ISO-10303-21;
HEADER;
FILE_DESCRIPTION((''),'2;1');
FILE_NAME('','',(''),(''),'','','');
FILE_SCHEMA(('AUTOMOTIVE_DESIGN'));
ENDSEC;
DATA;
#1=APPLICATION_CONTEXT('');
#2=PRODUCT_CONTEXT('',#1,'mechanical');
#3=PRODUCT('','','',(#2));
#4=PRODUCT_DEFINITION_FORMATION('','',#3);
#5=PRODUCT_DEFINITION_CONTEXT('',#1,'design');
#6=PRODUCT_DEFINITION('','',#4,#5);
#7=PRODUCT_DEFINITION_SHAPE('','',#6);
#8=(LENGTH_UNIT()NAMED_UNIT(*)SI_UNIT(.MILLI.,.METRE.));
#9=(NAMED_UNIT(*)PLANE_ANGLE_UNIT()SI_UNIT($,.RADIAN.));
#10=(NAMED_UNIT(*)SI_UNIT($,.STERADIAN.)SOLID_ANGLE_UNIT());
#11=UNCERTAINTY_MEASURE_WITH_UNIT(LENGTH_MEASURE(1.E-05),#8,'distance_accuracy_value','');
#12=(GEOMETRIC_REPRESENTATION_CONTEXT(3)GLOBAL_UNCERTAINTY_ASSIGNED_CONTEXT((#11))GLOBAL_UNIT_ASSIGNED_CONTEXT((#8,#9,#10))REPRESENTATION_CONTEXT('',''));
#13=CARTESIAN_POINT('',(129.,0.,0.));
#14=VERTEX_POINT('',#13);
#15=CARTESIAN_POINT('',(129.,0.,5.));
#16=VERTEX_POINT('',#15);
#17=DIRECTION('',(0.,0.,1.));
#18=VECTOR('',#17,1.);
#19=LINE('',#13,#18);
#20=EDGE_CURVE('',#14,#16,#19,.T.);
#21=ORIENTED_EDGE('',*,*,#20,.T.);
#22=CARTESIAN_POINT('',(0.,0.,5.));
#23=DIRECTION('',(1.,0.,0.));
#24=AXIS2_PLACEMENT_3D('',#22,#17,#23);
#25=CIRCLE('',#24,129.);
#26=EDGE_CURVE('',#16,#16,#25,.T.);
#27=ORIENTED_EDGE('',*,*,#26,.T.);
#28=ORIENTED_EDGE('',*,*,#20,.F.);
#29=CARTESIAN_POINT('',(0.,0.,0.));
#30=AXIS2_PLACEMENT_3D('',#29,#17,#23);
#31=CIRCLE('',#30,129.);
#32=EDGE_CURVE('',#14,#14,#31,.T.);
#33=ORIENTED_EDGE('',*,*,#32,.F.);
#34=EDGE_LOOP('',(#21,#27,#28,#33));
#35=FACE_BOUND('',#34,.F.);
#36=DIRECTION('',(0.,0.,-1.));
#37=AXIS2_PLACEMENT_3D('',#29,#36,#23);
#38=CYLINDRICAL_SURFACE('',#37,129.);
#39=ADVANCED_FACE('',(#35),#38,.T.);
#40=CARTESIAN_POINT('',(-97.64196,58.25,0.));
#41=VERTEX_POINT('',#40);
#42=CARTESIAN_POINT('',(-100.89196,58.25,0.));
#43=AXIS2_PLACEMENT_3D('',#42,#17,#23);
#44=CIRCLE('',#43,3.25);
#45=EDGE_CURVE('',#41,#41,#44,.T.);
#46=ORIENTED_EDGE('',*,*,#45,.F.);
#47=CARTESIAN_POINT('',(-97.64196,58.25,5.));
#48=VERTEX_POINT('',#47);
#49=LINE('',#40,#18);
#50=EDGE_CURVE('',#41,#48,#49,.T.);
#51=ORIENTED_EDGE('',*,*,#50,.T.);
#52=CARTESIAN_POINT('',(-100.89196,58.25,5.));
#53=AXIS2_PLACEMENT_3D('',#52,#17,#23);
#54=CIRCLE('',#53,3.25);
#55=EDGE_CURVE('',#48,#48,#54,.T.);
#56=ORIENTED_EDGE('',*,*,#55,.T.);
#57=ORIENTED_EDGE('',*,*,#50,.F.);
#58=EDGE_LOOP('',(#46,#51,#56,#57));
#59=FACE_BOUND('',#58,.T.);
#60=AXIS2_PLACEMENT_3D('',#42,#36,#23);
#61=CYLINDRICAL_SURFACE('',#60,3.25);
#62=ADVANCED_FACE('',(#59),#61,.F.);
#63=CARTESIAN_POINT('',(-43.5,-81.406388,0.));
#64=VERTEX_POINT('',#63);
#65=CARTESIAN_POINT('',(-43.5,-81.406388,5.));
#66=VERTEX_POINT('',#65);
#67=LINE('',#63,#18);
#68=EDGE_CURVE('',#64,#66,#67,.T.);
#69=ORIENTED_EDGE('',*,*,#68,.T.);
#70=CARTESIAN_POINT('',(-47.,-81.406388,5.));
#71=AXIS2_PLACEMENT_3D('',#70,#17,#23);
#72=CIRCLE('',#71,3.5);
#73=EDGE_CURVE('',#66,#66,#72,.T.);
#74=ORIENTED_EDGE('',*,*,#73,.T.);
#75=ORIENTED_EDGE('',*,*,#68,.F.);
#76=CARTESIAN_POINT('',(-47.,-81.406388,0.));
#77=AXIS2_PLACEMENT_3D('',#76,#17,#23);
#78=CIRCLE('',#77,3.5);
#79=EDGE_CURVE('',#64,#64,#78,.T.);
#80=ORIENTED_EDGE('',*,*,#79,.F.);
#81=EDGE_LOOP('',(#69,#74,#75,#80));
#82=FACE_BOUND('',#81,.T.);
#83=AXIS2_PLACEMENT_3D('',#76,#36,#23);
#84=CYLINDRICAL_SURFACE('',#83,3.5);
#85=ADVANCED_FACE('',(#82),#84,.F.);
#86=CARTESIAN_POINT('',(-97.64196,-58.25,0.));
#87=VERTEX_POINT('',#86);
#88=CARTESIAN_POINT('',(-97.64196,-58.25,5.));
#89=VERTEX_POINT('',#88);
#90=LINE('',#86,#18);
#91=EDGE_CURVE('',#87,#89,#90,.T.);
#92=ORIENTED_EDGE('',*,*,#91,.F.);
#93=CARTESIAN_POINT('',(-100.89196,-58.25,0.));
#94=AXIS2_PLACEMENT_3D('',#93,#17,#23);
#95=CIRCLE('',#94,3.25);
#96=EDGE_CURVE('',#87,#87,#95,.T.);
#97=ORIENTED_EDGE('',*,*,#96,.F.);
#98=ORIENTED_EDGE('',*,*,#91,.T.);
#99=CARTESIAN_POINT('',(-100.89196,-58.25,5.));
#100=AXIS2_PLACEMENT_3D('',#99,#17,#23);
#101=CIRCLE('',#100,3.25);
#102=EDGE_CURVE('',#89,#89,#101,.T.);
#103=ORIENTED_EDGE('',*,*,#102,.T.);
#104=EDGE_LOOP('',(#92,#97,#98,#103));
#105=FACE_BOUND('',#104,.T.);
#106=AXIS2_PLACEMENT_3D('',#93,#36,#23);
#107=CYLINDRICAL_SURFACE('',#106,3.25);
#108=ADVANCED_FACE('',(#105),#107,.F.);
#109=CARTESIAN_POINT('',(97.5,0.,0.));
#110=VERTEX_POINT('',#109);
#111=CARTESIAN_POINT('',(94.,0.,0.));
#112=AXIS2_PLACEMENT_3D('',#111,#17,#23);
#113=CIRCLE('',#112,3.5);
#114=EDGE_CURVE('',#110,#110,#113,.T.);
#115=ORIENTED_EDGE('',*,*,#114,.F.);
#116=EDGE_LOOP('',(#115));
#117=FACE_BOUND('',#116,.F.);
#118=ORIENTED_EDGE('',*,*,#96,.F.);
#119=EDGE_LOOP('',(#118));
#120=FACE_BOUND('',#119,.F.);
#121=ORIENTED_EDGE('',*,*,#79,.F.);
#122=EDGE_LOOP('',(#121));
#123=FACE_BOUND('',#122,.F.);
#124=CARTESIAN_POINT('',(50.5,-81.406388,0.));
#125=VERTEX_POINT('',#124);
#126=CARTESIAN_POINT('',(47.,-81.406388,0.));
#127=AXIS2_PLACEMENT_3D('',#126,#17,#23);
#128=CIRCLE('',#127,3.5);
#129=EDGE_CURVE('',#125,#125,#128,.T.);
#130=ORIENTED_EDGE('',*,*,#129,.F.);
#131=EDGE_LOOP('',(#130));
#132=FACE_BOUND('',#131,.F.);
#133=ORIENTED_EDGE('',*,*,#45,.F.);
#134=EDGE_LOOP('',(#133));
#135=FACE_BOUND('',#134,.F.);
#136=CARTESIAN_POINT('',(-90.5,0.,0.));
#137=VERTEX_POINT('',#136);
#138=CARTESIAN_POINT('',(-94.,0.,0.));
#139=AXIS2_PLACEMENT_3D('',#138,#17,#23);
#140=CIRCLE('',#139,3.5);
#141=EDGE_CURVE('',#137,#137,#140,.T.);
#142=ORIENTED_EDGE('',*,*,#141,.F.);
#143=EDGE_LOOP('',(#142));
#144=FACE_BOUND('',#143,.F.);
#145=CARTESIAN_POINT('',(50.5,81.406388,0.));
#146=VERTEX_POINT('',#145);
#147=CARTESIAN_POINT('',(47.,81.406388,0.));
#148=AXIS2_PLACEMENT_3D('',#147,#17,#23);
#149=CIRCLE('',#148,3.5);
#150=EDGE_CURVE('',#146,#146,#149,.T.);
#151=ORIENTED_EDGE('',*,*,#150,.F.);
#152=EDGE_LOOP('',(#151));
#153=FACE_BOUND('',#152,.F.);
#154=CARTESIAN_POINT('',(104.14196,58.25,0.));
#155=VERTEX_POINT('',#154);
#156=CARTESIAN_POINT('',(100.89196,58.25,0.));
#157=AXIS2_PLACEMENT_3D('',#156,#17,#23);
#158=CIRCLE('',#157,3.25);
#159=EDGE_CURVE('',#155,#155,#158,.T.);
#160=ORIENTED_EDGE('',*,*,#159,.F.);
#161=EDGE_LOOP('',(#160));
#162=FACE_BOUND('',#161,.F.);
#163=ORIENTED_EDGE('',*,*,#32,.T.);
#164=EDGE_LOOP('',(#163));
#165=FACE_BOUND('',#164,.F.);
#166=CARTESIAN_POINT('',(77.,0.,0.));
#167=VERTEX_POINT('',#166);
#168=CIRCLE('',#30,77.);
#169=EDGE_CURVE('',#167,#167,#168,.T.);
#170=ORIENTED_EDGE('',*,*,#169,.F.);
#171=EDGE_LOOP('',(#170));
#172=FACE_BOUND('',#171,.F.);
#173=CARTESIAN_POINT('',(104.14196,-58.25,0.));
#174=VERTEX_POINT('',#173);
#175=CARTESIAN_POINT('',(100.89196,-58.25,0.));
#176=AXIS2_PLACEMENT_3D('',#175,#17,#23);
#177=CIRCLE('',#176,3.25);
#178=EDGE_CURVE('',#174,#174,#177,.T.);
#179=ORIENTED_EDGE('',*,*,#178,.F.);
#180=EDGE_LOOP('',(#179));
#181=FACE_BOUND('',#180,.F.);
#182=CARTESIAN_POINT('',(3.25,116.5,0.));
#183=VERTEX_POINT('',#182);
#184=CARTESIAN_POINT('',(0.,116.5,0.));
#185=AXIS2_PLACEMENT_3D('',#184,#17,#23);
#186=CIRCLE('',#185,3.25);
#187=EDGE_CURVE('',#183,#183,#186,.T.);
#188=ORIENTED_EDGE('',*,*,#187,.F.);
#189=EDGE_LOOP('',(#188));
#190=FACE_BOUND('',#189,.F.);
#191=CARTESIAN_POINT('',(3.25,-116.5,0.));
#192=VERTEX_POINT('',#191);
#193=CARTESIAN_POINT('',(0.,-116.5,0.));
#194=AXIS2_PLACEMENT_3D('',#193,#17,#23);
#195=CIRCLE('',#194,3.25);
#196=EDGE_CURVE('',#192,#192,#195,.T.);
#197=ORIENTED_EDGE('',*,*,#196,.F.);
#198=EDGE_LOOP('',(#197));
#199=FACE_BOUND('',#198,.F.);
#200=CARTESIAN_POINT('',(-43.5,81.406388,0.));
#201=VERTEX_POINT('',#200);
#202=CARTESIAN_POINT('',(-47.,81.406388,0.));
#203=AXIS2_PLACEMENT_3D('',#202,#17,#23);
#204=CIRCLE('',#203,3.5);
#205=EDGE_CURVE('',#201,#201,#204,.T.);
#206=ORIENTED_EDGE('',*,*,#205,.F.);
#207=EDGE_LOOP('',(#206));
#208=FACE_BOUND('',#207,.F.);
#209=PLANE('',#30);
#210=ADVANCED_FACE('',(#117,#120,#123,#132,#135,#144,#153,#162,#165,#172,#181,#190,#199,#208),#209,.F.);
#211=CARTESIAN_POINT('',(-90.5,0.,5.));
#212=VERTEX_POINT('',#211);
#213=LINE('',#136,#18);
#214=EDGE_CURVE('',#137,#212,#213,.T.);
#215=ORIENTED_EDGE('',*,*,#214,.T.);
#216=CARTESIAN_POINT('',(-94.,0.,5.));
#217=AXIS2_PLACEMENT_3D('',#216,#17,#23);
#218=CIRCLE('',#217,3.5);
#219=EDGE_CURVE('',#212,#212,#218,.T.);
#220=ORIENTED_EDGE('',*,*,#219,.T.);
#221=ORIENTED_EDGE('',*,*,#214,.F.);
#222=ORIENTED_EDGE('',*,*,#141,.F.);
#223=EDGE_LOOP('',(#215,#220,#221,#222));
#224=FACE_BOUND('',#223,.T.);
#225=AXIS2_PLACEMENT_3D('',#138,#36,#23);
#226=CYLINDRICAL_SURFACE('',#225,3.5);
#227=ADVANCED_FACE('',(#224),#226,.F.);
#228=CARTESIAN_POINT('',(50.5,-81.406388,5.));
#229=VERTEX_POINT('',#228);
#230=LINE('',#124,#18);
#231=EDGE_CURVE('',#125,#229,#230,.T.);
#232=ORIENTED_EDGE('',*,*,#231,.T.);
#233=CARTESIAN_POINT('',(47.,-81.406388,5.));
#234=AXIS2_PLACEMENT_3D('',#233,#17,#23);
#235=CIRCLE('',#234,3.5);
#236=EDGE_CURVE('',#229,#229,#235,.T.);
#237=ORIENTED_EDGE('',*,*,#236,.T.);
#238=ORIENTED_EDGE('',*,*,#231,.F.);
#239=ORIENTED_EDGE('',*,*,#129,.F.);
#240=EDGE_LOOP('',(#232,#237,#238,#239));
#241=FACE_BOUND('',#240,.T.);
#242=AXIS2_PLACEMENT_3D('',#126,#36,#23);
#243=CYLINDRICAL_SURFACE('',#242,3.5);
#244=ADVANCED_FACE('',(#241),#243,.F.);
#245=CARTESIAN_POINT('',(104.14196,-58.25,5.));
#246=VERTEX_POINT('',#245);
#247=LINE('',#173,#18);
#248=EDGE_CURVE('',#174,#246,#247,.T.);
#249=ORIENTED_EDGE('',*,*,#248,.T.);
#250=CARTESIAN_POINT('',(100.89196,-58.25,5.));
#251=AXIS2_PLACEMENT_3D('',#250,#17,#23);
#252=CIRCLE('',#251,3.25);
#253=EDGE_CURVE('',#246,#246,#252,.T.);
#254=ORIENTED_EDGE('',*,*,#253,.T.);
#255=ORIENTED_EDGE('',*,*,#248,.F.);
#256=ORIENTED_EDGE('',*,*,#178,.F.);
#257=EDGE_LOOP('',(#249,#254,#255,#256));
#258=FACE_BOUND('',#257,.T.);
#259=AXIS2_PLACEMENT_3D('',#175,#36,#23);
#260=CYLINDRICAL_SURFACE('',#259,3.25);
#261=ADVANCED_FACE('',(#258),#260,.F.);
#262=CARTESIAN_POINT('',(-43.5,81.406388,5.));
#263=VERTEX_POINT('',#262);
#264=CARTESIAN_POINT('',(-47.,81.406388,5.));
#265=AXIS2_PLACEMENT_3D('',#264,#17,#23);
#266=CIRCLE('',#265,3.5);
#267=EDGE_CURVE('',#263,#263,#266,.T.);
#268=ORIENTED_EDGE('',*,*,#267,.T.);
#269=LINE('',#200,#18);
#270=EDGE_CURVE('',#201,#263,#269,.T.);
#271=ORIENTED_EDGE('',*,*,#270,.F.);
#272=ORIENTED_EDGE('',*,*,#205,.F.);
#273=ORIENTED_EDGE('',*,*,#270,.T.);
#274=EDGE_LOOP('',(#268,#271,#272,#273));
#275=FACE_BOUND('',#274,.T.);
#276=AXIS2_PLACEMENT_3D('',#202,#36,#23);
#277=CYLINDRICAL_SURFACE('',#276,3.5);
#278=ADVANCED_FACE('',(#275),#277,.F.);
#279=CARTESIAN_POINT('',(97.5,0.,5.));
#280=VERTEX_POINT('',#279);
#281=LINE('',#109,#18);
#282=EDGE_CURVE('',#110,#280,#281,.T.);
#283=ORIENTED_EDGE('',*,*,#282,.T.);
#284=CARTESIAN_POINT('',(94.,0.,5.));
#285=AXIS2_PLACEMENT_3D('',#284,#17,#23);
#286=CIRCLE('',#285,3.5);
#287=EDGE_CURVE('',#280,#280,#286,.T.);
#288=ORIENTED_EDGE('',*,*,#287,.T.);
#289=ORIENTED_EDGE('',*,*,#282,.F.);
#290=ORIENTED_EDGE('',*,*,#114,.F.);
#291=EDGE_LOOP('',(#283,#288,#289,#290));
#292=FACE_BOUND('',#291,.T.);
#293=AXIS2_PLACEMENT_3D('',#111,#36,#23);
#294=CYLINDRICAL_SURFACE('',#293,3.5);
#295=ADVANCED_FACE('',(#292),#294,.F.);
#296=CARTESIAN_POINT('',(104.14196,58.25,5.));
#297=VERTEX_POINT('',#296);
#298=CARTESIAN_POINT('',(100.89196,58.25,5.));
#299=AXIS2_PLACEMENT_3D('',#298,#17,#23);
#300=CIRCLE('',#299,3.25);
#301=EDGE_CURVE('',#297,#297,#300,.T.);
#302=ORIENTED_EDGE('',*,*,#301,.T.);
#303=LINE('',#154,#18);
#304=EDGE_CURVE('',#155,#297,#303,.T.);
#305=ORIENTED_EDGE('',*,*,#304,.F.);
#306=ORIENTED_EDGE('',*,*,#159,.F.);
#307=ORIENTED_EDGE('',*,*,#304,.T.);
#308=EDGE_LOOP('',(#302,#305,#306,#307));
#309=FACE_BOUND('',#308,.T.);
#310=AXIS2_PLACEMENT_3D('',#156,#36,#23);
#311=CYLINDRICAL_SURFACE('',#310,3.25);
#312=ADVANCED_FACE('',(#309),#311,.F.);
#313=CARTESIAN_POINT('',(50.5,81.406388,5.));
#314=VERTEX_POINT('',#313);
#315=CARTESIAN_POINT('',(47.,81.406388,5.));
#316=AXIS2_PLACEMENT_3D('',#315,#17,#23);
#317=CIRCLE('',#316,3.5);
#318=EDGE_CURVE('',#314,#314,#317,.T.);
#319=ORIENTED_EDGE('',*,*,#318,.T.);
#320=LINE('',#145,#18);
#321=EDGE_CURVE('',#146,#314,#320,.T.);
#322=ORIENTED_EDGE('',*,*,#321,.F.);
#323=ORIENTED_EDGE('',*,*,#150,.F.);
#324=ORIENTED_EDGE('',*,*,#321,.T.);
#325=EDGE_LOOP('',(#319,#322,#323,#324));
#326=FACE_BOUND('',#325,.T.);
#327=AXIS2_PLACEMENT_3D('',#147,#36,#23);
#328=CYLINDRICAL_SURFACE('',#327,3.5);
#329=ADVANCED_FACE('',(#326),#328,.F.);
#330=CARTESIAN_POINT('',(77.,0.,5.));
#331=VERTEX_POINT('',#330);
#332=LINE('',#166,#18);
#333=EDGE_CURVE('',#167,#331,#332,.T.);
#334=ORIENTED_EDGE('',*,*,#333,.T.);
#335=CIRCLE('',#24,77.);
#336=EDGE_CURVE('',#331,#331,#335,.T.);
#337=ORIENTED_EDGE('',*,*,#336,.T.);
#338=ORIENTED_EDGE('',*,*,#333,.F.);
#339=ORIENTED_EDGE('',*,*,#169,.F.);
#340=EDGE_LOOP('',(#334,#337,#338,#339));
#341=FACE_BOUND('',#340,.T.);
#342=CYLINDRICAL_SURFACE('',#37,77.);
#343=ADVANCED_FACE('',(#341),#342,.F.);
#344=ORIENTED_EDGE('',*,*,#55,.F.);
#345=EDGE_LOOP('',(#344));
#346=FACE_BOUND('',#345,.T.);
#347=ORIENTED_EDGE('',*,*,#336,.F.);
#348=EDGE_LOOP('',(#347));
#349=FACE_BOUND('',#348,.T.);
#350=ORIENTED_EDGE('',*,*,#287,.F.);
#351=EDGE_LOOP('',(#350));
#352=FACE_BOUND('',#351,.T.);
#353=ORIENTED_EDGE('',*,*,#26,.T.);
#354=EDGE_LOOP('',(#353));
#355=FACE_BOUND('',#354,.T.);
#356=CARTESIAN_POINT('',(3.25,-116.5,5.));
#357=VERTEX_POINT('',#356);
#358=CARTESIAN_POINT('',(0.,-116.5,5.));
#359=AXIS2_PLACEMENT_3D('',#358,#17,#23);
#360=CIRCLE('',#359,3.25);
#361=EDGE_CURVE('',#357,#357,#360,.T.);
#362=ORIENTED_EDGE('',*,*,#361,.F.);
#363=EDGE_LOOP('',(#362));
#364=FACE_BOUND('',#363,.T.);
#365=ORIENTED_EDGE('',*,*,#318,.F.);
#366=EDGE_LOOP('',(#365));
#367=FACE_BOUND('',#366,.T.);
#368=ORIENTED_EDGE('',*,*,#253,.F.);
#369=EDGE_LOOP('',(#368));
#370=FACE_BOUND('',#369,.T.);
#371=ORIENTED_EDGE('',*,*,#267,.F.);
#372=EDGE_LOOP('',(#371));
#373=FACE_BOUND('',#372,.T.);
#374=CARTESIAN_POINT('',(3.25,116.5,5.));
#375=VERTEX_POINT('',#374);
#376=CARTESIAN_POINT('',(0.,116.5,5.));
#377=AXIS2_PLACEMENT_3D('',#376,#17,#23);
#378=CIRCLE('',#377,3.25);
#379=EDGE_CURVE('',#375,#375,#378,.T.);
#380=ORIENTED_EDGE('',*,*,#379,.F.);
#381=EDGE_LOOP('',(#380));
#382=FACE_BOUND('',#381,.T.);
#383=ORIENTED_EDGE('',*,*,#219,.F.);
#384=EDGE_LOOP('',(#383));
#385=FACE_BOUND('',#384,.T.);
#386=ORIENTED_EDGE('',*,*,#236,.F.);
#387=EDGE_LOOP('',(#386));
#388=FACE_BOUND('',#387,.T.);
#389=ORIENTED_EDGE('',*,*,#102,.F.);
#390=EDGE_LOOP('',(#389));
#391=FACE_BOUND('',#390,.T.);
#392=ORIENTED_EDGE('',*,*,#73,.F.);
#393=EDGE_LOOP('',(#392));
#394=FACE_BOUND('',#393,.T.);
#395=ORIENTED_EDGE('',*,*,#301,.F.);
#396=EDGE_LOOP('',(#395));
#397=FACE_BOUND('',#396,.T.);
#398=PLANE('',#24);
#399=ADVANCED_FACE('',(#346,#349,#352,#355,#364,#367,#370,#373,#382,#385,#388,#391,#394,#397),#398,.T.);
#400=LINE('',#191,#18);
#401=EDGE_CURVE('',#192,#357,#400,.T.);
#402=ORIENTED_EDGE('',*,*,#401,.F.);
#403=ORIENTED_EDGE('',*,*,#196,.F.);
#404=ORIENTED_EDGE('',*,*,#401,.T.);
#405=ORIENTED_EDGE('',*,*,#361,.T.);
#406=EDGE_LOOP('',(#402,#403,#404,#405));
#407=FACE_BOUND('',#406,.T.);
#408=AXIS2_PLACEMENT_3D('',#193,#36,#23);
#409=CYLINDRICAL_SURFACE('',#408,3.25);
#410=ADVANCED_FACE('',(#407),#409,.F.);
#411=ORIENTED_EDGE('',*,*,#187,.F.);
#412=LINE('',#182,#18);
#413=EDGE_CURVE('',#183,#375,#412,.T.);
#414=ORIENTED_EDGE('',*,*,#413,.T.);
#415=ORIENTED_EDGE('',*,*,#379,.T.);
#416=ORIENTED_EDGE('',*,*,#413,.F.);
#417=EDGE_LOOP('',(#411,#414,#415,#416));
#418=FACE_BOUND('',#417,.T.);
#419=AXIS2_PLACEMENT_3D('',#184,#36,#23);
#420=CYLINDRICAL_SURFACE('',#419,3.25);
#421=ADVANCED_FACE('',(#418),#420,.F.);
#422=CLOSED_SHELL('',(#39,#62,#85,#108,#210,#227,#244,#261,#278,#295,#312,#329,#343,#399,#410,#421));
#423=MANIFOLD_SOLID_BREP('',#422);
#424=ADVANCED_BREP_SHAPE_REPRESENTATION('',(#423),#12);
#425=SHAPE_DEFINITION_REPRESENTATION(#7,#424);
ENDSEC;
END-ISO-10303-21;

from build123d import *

# Parameters (mm, degrees)
F0_R     = 129
F0_R_2   = 3.5
F0_R_3   = 3.25
F0_R_4   = 77
F1_DEPTH = 5


with BuildPart() as f1:
    # F0 (on Top) → F1 (new body)
    with BuildSketch(Plane.XY):
        Circle(F0_R)
        with Locations((-47, -81.406388)):
            Circle(F0_R_2, mode=Mode.SUBTRACT)
        with Locations((-100.89196, -58.25)):
            Circle(F0_R_3, mode=Mode.SUBTRACT)
        with Locations((0, -116.5)):
            Circle(F0_R_3, mode=Mode.SUBTRACT)
        with Locations((47, -81.406388)):
            Circle(F0_R_2, mode=Mode.SUBTRACT)
        with Locations((100.89196, -58.25)):
            Circle(F0_R_3, mode=Mode.SUBTRACT)
        with Locations((-94, 0)):
            Circle(F0_R_2, mode=Mode.SUBTRACT)
        with Locations((-100.89196, 58.25)):
            Circle(F0_R_3, mode=Mode.SUBTRACT)
        with Locations((-47, 81.406388)):
            Circle(F0_R_2, mode=Mode.SUBTRACT)
        Circle(F0_R_4, mode=Mode.SUBTRACT)
        with Locations((94, 0)):
            Circle(F0_R_2, mode=Mode.SUBTRACT)
        with Locations((100.89196, 58.25)):
            Circle(F0_R_3, mode=Mode.SUBTRACT)
        with Locations((47, 81.406388)):
            Circle(F0_R_2, mode=Mode.SUBTRACT)
        with Locations((0, 116.5)):
            Circle(F0_R_3, mode=Mode.SUBTRACT)
    extrude(amount=F1_DEPTH)


solid = f1.part
